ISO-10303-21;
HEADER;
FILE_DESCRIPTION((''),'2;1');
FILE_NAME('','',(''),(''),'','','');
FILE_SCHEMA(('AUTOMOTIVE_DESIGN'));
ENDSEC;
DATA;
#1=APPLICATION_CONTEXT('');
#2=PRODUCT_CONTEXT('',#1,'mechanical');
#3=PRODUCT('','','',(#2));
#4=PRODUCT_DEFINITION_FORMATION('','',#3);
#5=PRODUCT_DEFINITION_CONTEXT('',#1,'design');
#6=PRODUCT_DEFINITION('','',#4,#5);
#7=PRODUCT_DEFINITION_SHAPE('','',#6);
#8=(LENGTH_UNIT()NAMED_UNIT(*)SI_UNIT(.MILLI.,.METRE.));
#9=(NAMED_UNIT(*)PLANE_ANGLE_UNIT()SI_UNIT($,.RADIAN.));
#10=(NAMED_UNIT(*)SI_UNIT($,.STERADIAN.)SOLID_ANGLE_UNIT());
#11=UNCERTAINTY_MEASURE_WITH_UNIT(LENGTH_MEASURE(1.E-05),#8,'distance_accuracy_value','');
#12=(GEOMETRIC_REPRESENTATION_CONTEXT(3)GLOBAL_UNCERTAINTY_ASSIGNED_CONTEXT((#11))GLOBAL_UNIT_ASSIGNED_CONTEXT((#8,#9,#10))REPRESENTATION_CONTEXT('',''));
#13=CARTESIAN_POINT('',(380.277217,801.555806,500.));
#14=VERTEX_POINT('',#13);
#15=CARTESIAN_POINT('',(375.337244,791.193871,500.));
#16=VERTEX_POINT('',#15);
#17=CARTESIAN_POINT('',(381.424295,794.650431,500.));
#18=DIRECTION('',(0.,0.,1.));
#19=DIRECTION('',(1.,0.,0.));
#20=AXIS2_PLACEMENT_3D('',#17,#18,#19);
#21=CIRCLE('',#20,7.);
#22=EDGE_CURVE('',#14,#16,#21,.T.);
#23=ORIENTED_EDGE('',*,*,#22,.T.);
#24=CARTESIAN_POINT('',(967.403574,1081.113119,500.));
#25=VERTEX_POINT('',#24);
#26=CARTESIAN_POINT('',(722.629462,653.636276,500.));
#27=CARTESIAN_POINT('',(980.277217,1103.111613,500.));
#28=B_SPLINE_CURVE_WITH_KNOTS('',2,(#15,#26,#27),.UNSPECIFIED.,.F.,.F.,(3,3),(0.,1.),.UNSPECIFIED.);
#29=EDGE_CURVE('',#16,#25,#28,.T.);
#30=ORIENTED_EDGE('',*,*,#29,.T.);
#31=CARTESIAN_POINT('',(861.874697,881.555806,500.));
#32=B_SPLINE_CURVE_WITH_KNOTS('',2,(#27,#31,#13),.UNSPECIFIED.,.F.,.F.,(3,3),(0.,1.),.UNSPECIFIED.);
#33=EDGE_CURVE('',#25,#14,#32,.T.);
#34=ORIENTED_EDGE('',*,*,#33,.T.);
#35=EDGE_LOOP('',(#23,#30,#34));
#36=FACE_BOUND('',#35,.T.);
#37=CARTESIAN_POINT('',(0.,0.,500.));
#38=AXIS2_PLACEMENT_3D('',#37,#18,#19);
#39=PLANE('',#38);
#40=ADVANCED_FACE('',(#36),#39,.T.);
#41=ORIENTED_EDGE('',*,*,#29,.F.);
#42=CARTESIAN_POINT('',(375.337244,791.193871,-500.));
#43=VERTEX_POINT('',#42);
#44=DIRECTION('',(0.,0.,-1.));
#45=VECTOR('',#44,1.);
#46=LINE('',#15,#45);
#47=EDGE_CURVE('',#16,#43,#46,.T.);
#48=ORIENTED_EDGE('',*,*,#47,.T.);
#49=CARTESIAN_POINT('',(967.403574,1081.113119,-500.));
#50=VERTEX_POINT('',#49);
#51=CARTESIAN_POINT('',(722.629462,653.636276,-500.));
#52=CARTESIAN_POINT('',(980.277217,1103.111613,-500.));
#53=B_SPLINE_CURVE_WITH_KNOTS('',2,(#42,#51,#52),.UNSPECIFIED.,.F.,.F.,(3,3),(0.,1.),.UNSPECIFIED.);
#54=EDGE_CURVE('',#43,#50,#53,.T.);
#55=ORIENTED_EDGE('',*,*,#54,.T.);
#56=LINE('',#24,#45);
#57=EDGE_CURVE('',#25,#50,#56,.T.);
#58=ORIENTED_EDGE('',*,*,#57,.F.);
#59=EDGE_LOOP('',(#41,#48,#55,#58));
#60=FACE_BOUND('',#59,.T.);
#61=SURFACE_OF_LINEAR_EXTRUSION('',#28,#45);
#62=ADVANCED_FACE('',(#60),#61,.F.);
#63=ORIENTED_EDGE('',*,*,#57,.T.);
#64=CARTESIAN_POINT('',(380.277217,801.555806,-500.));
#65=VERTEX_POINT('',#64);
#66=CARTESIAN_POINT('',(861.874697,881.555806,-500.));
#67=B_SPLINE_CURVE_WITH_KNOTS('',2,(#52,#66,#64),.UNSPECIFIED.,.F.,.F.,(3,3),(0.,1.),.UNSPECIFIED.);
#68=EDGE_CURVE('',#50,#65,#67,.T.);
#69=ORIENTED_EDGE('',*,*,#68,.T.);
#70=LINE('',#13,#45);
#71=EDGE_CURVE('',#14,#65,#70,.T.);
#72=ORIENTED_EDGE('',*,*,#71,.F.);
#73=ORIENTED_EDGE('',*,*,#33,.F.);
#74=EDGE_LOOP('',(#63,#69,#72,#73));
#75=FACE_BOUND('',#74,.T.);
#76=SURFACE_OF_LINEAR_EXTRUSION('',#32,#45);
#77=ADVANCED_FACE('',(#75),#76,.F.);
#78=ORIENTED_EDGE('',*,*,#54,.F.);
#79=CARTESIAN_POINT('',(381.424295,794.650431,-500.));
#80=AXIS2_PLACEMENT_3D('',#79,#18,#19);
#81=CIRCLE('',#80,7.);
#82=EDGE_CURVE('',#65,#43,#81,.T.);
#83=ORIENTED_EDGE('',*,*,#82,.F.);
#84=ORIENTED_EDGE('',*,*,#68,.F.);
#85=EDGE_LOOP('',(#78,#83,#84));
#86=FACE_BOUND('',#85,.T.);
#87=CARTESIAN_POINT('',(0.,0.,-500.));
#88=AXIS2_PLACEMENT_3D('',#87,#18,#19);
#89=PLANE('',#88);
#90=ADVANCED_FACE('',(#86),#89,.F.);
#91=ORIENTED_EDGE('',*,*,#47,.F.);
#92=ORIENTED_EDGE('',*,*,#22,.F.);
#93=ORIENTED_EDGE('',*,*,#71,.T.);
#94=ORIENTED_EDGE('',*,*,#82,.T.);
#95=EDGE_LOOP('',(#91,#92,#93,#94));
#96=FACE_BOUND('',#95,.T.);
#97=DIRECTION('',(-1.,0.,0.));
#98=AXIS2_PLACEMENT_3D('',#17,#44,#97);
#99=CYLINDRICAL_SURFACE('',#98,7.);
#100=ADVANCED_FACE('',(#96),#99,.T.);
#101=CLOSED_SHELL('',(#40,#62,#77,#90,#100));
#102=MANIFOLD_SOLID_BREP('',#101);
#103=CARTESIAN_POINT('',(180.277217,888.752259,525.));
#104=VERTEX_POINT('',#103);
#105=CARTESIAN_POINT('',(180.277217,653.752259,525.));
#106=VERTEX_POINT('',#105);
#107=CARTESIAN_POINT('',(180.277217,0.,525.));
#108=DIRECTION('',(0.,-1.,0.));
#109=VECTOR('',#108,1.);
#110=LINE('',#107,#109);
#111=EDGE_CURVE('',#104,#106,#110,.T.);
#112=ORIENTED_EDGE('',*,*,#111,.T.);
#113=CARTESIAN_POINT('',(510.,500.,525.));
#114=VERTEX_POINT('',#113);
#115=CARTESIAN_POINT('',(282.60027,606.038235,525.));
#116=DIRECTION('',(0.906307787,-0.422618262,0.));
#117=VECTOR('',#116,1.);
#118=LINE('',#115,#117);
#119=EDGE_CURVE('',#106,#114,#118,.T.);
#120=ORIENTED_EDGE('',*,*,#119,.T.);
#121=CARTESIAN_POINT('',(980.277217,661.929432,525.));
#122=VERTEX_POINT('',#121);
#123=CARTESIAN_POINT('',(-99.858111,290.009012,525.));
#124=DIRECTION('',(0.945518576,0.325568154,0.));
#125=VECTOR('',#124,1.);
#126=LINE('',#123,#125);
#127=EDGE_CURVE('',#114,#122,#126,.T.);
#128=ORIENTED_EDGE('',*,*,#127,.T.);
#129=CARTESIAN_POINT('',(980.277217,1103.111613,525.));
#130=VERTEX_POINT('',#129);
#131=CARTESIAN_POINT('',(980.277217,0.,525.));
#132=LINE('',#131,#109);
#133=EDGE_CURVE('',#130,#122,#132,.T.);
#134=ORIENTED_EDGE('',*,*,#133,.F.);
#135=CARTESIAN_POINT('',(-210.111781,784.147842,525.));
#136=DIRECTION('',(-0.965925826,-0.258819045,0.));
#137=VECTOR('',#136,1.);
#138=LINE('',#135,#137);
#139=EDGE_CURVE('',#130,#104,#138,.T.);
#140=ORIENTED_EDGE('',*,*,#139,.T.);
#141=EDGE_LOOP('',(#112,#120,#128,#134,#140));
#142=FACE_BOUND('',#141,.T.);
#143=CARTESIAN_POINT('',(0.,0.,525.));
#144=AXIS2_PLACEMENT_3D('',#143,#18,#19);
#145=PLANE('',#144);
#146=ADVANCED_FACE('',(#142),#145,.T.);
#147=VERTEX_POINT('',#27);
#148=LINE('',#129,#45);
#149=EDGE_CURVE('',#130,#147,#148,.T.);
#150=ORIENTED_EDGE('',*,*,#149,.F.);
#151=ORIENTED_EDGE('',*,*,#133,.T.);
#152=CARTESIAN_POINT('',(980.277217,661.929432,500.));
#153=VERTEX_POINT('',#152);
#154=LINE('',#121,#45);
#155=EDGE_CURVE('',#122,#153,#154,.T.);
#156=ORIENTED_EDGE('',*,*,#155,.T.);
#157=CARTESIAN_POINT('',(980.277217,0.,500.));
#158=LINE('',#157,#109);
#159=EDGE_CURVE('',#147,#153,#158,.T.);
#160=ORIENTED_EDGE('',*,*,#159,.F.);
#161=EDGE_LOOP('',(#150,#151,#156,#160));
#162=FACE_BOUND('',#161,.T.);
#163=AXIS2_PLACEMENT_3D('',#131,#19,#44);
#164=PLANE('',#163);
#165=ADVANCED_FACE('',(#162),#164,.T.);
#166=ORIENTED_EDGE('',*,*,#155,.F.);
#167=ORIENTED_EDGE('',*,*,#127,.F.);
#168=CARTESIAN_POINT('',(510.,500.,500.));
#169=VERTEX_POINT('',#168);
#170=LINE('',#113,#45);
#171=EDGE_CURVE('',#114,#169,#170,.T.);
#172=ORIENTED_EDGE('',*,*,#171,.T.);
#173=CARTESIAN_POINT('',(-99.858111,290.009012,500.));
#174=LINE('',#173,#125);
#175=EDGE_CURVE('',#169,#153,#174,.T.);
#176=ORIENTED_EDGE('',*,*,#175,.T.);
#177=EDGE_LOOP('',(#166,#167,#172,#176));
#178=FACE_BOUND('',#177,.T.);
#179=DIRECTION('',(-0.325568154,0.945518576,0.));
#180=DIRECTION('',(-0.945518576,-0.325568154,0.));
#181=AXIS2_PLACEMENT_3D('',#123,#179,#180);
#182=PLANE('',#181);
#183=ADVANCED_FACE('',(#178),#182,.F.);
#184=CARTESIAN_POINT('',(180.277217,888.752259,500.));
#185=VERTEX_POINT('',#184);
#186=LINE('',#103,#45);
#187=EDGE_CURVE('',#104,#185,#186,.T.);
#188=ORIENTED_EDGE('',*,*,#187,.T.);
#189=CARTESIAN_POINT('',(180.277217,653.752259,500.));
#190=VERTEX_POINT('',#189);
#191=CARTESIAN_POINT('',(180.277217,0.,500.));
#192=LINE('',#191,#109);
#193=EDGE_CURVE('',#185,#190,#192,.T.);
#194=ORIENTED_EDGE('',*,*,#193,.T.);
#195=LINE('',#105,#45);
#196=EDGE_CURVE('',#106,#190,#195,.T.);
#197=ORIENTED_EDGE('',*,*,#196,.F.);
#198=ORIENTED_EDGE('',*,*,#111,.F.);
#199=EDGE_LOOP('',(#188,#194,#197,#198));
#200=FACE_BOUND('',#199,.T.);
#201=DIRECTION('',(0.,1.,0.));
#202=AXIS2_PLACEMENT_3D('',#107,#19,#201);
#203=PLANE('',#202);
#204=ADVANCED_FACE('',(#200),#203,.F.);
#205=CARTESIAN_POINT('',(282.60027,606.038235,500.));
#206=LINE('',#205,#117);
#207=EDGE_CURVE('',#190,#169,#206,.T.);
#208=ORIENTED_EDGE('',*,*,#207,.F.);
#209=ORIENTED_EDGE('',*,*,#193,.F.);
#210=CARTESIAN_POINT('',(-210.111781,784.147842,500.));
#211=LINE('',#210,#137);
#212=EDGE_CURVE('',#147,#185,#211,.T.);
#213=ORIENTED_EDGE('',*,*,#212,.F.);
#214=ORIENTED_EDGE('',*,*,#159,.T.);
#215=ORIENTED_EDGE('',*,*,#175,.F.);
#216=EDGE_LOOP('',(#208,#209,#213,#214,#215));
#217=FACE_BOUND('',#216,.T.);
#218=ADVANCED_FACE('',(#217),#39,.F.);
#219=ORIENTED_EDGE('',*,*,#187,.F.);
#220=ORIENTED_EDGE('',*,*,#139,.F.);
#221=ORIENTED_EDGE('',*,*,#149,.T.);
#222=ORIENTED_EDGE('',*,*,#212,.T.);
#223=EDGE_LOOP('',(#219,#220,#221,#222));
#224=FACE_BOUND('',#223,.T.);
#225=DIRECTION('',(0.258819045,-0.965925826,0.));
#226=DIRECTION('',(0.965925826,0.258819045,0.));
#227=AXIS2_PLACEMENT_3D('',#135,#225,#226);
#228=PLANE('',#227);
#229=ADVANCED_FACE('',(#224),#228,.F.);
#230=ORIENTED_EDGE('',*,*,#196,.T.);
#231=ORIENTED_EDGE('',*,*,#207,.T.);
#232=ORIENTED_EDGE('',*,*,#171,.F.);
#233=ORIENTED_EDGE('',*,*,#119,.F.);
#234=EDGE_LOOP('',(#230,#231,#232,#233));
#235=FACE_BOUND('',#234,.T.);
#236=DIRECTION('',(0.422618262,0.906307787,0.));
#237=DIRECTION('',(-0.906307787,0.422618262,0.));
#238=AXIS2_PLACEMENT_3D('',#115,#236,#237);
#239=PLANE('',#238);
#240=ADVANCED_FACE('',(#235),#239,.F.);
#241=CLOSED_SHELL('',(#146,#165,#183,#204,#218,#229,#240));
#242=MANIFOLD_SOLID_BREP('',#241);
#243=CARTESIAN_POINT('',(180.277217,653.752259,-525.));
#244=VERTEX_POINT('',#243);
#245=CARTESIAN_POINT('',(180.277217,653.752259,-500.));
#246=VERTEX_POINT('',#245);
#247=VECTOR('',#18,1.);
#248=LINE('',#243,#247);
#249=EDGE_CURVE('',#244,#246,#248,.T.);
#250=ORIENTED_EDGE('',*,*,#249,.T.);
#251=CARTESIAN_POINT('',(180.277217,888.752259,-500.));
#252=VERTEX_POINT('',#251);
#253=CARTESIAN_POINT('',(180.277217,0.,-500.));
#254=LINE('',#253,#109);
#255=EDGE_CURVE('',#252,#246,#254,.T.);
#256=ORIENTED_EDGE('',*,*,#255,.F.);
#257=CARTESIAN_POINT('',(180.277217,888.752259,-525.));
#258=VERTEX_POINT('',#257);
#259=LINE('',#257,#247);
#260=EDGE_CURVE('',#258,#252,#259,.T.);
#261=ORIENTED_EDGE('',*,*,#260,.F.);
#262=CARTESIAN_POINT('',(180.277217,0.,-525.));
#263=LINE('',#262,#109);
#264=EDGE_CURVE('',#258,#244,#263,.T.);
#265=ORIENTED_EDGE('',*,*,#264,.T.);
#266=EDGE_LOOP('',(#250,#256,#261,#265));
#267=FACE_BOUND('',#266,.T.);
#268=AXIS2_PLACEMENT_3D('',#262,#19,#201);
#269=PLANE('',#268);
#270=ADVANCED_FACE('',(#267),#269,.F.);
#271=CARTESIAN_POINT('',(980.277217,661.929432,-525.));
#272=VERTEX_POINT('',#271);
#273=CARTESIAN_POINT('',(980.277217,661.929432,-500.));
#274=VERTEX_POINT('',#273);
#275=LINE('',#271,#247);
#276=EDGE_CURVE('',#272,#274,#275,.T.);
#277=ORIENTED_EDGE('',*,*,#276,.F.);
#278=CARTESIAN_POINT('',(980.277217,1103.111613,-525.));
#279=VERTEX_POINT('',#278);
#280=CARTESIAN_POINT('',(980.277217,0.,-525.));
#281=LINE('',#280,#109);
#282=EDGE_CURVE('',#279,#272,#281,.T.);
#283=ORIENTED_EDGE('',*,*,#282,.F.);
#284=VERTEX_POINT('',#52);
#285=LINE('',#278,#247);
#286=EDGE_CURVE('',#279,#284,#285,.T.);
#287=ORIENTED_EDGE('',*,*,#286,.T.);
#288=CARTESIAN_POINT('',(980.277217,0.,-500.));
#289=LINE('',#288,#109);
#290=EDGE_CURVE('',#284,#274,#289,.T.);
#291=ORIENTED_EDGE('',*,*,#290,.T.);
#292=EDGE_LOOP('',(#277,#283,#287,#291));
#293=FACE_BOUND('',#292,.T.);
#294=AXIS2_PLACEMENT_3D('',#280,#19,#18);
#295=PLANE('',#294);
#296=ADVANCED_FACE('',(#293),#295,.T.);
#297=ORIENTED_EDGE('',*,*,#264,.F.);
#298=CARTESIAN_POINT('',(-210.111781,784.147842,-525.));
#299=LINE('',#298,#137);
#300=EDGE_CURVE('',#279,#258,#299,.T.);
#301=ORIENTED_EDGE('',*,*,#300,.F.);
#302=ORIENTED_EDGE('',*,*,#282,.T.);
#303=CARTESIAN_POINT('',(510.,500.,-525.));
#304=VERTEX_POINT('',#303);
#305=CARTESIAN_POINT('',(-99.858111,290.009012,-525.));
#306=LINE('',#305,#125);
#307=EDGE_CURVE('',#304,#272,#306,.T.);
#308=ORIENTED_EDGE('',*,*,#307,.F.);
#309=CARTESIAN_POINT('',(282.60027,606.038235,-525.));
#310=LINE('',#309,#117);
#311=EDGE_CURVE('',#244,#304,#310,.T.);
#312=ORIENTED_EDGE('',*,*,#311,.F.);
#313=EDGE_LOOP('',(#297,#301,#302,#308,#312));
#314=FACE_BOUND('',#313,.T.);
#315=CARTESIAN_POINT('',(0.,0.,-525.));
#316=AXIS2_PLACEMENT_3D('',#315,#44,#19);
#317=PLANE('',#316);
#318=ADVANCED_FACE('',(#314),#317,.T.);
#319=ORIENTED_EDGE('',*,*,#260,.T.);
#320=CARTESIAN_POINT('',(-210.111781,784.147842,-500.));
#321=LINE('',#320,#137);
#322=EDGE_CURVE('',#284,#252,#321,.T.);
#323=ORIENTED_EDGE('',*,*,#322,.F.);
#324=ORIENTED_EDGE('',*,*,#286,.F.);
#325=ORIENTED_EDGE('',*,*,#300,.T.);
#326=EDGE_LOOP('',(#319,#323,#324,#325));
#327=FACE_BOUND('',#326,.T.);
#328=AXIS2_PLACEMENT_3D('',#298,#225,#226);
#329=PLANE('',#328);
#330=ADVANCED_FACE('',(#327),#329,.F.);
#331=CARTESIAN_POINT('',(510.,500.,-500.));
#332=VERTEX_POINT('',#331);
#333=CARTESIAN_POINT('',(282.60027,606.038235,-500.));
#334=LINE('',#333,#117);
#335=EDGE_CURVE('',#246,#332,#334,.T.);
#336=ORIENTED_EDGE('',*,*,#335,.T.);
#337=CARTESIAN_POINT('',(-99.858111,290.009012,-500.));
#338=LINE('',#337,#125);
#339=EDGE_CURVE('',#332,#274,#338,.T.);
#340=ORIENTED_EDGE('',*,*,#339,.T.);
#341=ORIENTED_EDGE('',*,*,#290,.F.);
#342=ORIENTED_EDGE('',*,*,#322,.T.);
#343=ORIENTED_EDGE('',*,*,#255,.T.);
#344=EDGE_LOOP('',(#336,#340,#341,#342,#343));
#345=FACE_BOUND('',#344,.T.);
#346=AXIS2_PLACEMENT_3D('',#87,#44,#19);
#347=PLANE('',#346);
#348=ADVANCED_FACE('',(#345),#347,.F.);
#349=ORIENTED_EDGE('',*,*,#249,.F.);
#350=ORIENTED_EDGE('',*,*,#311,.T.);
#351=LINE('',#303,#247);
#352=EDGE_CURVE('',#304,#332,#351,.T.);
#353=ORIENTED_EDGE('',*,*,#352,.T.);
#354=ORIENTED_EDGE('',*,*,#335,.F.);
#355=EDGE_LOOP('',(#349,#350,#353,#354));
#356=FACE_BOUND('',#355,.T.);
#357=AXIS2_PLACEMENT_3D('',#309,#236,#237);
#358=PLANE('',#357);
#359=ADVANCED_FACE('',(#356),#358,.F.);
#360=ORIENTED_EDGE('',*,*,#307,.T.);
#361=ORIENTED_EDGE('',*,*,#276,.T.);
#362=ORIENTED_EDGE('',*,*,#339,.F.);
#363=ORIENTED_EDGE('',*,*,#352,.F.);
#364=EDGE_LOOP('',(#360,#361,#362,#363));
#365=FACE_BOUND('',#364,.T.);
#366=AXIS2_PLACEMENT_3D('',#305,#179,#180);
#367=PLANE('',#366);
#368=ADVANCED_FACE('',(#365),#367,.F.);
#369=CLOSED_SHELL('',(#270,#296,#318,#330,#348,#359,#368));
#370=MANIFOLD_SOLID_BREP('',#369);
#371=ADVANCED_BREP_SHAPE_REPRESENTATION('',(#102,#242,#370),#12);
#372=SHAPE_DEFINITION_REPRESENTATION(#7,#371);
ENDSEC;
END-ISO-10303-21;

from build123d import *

# Parameters (mm, degrees)
BOSS_EXTRUDE4_START = 500
BOSS_EXTRUDE4_DEPTH = 25
BOSS_EXTRUDE5_DEPTH = 500


with BuildPart() as part:
    # Sketch3 → Boss-Extrude4 (new body)
    with BuildSketch(Plane.XY.offset(BOSS_EXTRUDE4_START)):
        Polygon((980.277216874, 1103.111612785), (980.277216874, 661.929431671), (510, 500), (180.277216874, 653.75225884), (180.277216874, 888.75225884), align=None)
    extrude(amount=BOSS_EXTRUDE4_DEPTH)


with BuildPart() as body_2:
    # Mirror6: mirrored copy
    add(part.part.mirror(Plane.XY))


with BuildPart() as body_3:
    # Sketch4 → Boss-Extrude5 (new body, symmetric)
    with BuildSketch(Plane.XY):
        with BuildLine():
            add(Edge.make_bspline(
                [(375.337243968, 791.193870862), (713.99043586, 657.058073837), (967.403573874, 1081.113118762)],
                knots=[0, 0, 0, 0.975124618, 0.975124618, 0.975124618], degree=2))
            add(Edge.make_bspline(
                [(967.403573874, 1081.113118762), (837.573835199, 877.51909723), (380.277216874, 801.555806392)],
                knots=[0.050458865, 0.050458865, 0.050458865, 1, 1, 1], degree=2))
            ThreePointArc((380.277216874, 801.555806392), (375.105625682, 797.662807865), (375.337243968, 791.193870862))
        make_face()
    extrude(amount=BOSS_EXTRUDE5_DEPTH, both=True)


solid = Compound([part.part, body_2.part, body_3.part])
